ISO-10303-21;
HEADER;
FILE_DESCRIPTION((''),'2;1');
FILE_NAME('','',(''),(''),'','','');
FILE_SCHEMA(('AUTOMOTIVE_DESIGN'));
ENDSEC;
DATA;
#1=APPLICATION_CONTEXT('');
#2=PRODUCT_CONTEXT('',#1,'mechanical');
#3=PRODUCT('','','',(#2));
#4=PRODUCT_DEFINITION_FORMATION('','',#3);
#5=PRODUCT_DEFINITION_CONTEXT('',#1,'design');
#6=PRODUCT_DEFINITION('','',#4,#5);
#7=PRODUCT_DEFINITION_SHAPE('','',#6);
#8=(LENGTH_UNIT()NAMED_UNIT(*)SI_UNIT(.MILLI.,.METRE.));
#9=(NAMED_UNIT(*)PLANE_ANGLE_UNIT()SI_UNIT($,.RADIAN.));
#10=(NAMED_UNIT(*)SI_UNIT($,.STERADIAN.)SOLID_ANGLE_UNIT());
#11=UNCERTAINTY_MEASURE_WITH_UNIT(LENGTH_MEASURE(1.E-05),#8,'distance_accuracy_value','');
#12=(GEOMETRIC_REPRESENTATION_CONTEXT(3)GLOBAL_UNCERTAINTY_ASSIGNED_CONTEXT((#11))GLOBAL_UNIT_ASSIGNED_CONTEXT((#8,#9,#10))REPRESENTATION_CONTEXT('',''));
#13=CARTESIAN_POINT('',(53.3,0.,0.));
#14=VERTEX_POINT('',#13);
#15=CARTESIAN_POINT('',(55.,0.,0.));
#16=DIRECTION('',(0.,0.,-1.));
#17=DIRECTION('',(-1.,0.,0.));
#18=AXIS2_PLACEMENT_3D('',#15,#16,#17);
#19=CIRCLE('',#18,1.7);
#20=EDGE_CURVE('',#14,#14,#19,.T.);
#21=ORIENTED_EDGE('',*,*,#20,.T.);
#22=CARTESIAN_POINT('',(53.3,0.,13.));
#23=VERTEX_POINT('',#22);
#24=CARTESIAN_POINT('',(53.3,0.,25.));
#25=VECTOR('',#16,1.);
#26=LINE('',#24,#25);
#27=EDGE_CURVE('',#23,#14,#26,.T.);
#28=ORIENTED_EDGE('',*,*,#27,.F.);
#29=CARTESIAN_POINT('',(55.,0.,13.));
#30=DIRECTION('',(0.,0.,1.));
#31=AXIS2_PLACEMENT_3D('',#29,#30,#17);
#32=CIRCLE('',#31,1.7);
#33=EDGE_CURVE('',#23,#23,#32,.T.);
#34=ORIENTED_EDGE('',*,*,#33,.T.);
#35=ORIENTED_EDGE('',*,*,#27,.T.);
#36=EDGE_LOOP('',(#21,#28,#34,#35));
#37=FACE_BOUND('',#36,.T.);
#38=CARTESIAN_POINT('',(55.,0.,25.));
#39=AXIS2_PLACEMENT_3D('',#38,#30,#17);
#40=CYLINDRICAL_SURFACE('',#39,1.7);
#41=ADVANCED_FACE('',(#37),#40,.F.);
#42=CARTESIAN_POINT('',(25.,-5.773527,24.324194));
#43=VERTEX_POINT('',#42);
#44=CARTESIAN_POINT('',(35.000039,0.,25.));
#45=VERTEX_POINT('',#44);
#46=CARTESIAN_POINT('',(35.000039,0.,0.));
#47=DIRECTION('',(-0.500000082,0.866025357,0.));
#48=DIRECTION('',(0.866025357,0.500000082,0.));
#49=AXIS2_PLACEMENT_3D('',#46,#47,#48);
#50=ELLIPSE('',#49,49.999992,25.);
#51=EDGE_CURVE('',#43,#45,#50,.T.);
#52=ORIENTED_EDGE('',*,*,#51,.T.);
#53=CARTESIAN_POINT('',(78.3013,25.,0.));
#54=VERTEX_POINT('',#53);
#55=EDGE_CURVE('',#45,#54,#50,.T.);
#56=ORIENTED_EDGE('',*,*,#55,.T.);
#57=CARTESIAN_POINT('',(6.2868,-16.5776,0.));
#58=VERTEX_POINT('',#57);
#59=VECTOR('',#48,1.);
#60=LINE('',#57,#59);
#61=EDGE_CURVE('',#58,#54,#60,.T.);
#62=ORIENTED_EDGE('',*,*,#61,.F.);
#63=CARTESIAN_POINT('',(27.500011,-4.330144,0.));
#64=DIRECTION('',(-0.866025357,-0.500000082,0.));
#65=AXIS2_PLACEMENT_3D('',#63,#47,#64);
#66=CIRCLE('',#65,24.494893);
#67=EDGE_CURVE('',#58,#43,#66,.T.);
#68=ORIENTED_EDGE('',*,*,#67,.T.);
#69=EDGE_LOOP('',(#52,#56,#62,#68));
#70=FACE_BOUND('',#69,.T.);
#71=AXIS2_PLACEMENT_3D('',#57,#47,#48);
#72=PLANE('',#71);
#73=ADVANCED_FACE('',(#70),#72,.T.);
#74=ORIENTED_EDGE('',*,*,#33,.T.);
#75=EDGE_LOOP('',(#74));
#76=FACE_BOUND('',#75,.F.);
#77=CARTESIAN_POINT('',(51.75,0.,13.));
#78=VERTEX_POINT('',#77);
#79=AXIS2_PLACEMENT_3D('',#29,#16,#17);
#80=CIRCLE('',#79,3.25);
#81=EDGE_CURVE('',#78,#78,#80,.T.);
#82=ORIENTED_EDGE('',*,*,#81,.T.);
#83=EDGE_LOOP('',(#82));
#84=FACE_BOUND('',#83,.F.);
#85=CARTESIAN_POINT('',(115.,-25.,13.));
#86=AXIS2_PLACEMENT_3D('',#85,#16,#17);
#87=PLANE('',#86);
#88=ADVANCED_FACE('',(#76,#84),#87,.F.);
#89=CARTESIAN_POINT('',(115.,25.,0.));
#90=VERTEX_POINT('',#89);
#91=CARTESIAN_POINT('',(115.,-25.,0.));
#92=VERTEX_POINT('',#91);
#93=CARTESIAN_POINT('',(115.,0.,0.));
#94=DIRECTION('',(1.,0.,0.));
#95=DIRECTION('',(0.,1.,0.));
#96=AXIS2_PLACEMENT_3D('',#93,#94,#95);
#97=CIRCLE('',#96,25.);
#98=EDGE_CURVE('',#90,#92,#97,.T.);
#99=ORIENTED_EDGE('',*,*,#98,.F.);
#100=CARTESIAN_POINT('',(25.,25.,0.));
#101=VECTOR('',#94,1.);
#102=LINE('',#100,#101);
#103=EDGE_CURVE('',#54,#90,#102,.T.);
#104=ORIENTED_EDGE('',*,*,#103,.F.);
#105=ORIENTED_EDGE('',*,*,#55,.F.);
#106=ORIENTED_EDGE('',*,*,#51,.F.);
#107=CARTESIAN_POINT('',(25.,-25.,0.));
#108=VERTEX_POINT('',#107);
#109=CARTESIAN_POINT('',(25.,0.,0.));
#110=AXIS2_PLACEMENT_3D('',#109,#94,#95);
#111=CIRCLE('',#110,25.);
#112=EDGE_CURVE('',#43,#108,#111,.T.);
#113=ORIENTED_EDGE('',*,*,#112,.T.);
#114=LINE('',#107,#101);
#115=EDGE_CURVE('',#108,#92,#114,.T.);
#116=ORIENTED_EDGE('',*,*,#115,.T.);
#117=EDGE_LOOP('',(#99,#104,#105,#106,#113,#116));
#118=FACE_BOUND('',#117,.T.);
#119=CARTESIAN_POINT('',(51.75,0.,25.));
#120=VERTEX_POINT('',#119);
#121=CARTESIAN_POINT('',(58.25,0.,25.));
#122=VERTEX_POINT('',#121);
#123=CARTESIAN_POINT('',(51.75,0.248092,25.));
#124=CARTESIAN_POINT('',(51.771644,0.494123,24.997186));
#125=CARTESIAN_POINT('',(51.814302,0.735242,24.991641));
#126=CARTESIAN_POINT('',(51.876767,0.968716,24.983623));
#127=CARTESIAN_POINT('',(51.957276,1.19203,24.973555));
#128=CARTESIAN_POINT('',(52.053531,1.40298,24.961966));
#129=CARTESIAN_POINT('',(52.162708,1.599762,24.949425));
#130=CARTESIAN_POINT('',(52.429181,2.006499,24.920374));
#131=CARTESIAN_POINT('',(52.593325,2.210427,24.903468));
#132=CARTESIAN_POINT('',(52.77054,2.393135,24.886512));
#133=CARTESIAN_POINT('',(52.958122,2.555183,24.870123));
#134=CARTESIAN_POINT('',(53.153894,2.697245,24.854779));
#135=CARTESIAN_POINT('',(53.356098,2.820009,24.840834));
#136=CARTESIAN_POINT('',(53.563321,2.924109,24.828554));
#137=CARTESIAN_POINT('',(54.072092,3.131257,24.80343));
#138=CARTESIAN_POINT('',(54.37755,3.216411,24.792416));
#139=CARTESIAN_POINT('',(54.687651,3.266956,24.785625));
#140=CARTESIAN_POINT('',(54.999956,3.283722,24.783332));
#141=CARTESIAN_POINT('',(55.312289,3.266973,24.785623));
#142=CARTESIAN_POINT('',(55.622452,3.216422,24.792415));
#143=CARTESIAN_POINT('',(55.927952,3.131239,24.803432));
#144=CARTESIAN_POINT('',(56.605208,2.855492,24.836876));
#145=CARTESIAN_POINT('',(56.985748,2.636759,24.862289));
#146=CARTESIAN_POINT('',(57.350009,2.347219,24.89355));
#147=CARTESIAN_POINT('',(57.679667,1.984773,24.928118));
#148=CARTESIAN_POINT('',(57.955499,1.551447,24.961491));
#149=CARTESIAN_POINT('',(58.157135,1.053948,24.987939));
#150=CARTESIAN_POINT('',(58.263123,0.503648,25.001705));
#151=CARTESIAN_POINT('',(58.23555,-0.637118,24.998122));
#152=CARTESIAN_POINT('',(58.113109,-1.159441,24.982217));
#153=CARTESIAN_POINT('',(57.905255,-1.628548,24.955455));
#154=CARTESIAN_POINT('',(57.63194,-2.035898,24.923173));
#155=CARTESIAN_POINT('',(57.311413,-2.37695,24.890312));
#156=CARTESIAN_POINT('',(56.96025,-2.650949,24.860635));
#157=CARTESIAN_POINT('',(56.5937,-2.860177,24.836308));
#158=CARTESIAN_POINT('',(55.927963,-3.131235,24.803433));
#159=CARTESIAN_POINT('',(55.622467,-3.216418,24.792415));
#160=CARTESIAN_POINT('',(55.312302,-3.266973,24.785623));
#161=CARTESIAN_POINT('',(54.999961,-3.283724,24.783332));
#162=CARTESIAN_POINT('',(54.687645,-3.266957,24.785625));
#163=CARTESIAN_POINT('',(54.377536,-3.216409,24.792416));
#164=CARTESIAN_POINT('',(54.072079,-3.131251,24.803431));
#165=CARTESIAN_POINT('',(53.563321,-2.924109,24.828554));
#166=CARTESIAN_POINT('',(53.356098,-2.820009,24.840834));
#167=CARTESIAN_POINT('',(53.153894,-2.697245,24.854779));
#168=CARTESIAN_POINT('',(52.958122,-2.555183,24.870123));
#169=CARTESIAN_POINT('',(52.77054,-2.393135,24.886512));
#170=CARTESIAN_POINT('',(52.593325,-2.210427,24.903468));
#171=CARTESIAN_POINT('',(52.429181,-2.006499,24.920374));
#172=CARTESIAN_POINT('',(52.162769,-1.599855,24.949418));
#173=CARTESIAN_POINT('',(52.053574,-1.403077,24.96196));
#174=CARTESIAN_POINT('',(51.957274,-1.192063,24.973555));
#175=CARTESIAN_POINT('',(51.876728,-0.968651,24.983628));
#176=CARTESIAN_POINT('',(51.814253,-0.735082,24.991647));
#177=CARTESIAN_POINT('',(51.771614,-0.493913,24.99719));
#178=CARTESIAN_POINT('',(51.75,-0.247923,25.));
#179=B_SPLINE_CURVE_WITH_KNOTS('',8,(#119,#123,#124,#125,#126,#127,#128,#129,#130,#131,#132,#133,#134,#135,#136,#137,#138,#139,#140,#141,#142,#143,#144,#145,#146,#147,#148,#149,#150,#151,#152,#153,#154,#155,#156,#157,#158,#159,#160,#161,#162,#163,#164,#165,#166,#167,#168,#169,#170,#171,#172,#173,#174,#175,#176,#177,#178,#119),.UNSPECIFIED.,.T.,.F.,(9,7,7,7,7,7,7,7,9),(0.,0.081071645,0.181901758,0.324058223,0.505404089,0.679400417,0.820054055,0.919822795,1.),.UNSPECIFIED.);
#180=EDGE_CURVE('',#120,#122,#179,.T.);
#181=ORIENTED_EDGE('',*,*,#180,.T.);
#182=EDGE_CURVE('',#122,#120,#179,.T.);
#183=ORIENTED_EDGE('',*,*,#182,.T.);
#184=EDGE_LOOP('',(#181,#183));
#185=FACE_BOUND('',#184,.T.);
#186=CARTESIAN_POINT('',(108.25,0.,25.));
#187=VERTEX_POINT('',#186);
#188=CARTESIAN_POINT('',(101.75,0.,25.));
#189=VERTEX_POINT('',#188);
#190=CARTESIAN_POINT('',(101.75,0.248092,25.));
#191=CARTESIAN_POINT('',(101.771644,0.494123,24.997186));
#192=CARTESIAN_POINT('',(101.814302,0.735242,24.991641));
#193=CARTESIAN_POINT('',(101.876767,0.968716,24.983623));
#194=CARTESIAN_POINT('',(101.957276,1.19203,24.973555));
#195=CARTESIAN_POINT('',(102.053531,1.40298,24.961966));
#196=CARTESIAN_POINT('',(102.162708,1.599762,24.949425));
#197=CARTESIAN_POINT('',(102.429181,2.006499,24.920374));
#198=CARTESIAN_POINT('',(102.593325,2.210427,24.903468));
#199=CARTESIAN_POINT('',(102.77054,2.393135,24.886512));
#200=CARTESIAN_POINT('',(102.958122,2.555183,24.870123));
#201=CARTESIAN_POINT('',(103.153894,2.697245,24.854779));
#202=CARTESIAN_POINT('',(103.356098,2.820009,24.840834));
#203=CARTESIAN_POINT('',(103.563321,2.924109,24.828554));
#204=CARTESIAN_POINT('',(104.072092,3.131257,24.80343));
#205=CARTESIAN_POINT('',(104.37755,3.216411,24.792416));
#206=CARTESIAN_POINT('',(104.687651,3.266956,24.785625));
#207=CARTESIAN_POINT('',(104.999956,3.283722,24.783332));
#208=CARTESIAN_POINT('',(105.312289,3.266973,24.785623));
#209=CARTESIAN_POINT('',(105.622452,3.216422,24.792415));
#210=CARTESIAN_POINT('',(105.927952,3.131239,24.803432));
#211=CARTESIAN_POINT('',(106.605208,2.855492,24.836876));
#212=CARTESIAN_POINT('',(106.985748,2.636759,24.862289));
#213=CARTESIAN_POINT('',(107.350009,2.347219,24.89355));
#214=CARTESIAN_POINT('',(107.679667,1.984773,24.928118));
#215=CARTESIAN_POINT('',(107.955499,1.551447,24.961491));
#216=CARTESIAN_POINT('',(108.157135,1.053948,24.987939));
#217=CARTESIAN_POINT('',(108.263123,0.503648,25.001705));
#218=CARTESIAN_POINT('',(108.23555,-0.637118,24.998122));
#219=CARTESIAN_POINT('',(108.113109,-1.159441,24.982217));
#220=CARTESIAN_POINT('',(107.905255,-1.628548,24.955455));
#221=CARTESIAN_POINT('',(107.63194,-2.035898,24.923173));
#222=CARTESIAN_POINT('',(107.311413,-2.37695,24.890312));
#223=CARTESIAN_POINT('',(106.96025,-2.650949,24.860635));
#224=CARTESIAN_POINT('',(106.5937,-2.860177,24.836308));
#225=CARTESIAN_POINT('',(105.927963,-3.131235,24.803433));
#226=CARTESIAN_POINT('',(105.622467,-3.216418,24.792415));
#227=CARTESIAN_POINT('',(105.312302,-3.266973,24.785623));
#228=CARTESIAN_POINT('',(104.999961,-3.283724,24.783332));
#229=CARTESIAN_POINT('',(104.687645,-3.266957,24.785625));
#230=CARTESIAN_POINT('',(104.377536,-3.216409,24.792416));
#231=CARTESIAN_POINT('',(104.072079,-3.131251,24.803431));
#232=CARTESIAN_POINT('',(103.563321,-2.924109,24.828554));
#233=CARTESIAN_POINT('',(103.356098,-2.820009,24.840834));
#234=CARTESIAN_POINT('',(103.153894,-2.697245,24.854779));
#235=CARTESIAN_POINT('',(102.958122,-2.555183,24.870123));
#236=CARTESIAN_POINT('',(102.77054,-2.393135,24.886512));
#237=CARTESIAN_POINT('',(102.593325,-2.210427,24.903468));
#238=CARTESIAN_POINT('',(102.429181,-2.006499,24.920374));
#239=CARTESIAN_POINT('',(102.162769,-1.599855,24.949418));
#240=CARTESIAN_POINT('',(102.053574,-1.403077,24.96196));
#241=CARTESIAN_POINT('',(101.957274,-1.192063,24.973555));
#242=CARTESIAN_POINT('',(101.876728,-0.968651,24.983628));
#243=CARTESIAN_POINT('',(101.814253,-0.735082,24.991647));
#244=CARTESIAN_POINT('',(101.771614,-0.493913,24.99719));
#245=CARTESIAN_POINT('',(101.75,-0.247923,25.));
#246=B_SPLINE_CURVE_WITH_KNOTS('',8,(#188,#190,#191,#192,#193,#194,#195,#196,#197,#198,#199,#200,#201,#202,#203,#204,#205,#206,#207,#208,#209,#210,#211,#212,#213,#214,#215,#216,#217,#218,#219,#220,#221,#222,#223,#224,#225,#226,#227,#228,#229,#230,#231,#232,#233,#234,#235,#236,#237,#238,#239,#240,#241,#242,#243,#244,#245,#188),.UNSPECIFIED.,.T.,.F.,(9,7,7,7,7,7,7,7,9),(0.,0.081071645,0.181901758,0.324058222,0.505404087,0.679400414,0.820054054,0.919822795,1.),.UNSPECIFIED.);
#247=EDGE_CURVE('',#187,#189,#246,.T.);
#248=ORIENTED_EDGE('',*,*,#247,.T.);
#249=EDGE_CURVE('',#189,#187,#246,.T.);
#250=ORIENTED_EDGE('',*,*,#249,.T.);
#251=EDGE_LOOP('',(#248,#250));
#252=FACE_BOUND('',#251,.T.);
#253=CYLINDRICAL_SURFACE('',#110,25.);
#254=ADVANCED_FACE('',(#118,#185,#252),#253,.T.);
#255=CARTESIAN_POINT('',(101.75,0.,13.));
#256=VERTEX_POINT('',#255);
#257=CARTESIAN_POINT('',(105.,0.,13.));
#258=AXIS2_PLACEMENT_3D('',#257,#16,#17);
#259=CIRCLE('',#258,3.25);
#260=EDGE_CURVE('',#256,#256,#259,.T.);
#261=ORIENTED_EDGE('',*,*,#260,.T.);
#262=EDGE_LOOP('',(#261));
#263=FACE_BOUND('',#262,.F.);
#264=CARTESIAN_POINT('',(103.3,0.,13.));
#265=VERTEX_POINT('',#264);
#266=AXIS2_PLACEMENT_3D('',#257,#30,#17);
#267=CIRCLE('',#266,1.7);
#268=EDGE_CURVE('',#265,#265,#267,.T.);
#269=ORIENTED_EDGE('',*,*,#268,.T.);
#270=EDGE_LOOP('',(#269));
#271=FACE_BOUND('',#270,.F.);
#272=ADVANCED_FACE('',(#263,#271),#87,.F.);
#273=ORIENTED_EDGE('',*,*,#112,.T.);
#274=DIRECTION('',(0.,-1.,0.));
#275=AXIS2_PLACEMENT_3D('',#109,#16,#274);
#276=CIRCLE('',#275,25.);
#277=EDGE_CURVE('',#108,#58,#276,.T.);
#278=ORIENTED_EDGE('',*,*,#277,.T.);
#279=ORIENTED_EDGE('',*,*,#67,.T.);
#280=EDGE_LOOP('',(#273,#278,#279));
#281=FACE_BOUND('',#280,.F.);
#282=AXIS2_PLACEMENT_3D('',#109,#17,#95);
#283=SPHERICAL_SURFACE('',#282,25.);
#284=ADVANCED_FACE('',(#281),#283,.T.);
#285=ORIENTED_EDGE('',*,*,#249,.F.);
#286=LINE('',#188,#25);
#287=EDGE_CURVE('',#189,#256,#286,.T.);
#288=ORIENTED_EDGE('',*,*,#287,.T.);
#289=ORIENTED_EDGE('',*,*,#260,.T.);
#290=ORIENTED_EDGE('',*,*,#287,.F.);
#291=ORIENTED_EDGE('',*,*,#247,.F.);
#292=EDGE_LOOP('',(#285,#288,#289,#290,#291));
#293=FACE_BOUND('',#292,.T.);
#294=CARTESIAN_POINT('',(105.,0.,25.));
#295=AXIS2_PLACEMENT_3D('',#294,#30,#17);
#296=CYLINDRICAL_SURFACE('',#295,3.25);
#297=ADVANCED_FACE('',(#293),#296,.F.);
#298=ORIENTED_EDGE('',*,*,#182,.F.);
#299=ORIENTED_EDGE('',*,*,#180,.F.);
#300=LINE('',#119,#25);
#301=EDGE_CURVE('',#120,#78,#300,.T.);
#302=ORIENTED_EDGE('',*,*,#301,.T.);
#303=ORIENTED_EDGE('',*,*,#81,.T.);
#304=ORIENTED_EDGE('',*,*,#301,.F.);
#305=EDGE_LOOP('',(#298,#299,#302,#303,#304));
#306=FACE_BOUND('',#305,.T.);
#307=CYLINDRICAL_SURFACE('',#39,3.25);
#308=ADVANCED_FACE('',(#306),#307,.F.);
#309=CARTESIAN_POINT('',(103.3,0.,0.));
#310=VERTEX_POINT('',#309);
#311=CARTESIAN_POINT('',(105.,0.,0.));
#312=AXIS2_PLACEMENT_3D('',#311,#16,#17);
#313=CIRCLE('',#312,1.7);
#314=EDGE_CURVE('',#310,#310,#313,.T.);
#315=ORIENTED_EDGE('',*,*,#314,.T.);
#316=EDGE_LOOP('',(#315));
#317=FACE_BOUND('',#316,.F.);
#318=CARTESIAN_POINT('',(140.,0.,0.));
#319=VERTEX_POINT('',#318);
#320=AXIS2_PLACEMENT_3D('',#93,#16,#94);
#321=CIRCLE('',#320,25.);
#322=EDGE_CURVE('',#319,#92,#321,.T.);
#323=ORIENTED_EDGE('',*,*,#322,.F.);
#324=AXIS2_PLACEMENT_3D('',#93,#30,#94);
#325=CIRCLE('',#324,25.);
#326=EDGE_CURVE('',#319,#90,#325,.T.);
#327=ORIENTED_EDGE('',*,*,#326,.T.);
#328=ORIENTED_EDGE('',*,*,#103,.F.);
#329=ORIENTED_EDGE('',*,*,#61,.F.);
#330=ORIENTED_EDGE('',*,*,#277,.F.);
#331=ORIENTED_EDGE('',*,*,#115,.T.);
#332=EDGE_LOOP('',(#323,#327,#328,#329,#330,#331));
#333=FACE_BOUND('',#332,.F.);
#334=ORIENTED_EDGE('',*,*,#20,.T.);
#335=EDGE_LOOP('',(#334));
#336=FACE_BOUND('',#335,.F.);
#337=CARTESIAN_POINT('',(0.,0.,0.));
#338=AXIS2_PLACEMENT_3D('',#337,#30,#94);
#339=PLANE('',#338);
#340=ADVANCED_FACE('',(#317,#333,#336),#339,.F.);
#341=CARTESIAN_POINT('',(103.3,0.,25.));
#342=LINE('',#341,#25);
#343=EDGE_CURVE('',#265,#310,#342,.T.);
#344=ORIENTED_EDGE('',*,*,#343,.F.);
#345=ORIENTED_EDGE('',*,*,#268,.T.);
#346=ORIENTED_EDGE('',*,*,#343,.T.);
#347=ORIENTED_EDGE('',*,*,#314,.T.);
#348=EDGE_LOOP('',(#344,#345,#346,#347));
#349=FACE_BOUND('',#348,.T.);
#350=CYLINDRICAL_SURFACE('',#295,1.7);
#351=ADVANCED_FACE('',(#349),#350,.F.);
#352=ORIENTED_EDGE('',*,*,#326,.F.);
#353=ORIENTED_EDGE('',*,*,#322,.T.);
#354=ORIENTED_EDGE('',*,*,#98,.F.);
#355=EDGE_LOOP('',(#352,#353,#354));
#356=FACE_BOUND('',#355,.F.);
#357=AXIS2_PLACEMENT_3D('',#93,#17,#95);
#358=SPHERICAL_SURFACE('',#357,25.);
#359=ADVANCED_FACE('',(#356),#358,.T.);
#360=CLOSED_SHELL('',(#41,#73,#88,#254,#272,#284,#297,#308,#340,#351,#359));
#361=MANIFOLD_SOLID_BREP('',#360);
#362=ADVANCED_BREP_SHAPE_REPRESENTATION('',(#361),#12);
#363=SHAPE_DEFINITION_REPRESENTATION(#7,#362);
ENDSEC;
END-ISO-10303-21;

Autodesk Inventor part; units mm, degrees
ref_plane "Plan YZ" through (0, 0, 0) normal (1, 0, 0) x (0, 1, 0)
ref_plane "Plan XZ" through (0, 0, 0) normal (0, 1, 0) x (-1, 0, 0)
sketch "Esquisse1" plane through (0, 0, 0) normal (0, 0, 1) x (1, 0, 0)
  arc A0 (25, 25) -> (0, 0) centre (25, 0) ccw
  line L0 (25, 25) -> (115, 25)
  arc A1 (140, 0) -> (115, 25) centre (115, 0) ccw
  line L1 (0, 0) -> (132.1239, 0) construction
  line L2 (0, 0) -> (140, 0)
  dimension "d0" = 25
  dimension "d1" = 90
revolve "Révolution1" add sketch "Esquisse1" angle 180 about axis through (0, 0, 0) along (1, 0, 0)
sketch "Esquisse6" plane through (115, 25, 0) normal (0, 0, -1) x (-1, 0, 0)
  arc A0 (90, -50) -> (90, 0) centre (90, -25) ccw projected
  line L0 (90, 0) -> (0, 0) projected
  line L1 (115, -25) -> (-35.1202, -25) construction
  line L2 (115, -10.5662) -> (115, -41.5776)
  line L3 (115, -41.5776) -> (108.7132, -41.5776)
  line L4 (108.7132, -41.5776) -> (36.6987, 0)
  line L5 (36.6987, 0) -> (51.6987, 25.9808)
  line L6 (51.6987, 25.9808) -> (115, -10.5662)
  dimension "d17" = 30
  dimension "d18" = 30
extrude "Extrusion1" cut sketch "Esquisse6" against normal blind 25 contours L4 L0 A0
ref_plane "Plan de construction1" through (115, -25, 25) normal (0, 0, -1) x (-1, 0, 0)
sketch "Esquisse7" plane through (115, -25, 25) normal (0, 0, -1) x (-1, 0, 0)
  circle A0 centre (10, 25) radius 1.7
  circle A1 centre (60, 25) radius 1.7
  line L0 (0, 50) -> (0, 0) projected
  line L1 (10, 25) -> (10, 0) construction
  line L2 (10, 25) -> (10, 50) construction
  line L3 (60, 25) -> (60, 0) construction
  line L4 (60, 25) -> (60, 50) construction
  line L5 (0, 50) -> (95.4771, 50) construction
  line L6 (0, 0) -> (90, 0) construction
  point P0 (115, 25)
  dimension "d7" = 10
  dimension "d8" = 50
  dimension "d9" = 3.4
  dimension "d10" = 3.4
extrude "Extrusion2" cut sketch "Esquisse7" along normal blind 25
sketch "Esquisse8" plane through (115, -25, 25) normal (0, 0, -1) x (-1, 0, 0)
  circle A0 centre (10, 25) radius 3.25
  circle A1 centre (60, 25) radius 3.25
  circle A2 centre (10, 25) radius 1.7 projected
  circle A3 centre (60, 25) radius 1.7 projected
  point P0 (115, 25)
  dimension "d13" = 6.5
  dimension "d14" = 6.5
extrude "Extrusion3" cut sketch "Esquisse8" along normal blind 12 contours A0 | A1 | A2 | A3
equation "\"d10\" = d9"
equation "\"d14\" = d13"
properties part number "P1704_002" material "PLA"
